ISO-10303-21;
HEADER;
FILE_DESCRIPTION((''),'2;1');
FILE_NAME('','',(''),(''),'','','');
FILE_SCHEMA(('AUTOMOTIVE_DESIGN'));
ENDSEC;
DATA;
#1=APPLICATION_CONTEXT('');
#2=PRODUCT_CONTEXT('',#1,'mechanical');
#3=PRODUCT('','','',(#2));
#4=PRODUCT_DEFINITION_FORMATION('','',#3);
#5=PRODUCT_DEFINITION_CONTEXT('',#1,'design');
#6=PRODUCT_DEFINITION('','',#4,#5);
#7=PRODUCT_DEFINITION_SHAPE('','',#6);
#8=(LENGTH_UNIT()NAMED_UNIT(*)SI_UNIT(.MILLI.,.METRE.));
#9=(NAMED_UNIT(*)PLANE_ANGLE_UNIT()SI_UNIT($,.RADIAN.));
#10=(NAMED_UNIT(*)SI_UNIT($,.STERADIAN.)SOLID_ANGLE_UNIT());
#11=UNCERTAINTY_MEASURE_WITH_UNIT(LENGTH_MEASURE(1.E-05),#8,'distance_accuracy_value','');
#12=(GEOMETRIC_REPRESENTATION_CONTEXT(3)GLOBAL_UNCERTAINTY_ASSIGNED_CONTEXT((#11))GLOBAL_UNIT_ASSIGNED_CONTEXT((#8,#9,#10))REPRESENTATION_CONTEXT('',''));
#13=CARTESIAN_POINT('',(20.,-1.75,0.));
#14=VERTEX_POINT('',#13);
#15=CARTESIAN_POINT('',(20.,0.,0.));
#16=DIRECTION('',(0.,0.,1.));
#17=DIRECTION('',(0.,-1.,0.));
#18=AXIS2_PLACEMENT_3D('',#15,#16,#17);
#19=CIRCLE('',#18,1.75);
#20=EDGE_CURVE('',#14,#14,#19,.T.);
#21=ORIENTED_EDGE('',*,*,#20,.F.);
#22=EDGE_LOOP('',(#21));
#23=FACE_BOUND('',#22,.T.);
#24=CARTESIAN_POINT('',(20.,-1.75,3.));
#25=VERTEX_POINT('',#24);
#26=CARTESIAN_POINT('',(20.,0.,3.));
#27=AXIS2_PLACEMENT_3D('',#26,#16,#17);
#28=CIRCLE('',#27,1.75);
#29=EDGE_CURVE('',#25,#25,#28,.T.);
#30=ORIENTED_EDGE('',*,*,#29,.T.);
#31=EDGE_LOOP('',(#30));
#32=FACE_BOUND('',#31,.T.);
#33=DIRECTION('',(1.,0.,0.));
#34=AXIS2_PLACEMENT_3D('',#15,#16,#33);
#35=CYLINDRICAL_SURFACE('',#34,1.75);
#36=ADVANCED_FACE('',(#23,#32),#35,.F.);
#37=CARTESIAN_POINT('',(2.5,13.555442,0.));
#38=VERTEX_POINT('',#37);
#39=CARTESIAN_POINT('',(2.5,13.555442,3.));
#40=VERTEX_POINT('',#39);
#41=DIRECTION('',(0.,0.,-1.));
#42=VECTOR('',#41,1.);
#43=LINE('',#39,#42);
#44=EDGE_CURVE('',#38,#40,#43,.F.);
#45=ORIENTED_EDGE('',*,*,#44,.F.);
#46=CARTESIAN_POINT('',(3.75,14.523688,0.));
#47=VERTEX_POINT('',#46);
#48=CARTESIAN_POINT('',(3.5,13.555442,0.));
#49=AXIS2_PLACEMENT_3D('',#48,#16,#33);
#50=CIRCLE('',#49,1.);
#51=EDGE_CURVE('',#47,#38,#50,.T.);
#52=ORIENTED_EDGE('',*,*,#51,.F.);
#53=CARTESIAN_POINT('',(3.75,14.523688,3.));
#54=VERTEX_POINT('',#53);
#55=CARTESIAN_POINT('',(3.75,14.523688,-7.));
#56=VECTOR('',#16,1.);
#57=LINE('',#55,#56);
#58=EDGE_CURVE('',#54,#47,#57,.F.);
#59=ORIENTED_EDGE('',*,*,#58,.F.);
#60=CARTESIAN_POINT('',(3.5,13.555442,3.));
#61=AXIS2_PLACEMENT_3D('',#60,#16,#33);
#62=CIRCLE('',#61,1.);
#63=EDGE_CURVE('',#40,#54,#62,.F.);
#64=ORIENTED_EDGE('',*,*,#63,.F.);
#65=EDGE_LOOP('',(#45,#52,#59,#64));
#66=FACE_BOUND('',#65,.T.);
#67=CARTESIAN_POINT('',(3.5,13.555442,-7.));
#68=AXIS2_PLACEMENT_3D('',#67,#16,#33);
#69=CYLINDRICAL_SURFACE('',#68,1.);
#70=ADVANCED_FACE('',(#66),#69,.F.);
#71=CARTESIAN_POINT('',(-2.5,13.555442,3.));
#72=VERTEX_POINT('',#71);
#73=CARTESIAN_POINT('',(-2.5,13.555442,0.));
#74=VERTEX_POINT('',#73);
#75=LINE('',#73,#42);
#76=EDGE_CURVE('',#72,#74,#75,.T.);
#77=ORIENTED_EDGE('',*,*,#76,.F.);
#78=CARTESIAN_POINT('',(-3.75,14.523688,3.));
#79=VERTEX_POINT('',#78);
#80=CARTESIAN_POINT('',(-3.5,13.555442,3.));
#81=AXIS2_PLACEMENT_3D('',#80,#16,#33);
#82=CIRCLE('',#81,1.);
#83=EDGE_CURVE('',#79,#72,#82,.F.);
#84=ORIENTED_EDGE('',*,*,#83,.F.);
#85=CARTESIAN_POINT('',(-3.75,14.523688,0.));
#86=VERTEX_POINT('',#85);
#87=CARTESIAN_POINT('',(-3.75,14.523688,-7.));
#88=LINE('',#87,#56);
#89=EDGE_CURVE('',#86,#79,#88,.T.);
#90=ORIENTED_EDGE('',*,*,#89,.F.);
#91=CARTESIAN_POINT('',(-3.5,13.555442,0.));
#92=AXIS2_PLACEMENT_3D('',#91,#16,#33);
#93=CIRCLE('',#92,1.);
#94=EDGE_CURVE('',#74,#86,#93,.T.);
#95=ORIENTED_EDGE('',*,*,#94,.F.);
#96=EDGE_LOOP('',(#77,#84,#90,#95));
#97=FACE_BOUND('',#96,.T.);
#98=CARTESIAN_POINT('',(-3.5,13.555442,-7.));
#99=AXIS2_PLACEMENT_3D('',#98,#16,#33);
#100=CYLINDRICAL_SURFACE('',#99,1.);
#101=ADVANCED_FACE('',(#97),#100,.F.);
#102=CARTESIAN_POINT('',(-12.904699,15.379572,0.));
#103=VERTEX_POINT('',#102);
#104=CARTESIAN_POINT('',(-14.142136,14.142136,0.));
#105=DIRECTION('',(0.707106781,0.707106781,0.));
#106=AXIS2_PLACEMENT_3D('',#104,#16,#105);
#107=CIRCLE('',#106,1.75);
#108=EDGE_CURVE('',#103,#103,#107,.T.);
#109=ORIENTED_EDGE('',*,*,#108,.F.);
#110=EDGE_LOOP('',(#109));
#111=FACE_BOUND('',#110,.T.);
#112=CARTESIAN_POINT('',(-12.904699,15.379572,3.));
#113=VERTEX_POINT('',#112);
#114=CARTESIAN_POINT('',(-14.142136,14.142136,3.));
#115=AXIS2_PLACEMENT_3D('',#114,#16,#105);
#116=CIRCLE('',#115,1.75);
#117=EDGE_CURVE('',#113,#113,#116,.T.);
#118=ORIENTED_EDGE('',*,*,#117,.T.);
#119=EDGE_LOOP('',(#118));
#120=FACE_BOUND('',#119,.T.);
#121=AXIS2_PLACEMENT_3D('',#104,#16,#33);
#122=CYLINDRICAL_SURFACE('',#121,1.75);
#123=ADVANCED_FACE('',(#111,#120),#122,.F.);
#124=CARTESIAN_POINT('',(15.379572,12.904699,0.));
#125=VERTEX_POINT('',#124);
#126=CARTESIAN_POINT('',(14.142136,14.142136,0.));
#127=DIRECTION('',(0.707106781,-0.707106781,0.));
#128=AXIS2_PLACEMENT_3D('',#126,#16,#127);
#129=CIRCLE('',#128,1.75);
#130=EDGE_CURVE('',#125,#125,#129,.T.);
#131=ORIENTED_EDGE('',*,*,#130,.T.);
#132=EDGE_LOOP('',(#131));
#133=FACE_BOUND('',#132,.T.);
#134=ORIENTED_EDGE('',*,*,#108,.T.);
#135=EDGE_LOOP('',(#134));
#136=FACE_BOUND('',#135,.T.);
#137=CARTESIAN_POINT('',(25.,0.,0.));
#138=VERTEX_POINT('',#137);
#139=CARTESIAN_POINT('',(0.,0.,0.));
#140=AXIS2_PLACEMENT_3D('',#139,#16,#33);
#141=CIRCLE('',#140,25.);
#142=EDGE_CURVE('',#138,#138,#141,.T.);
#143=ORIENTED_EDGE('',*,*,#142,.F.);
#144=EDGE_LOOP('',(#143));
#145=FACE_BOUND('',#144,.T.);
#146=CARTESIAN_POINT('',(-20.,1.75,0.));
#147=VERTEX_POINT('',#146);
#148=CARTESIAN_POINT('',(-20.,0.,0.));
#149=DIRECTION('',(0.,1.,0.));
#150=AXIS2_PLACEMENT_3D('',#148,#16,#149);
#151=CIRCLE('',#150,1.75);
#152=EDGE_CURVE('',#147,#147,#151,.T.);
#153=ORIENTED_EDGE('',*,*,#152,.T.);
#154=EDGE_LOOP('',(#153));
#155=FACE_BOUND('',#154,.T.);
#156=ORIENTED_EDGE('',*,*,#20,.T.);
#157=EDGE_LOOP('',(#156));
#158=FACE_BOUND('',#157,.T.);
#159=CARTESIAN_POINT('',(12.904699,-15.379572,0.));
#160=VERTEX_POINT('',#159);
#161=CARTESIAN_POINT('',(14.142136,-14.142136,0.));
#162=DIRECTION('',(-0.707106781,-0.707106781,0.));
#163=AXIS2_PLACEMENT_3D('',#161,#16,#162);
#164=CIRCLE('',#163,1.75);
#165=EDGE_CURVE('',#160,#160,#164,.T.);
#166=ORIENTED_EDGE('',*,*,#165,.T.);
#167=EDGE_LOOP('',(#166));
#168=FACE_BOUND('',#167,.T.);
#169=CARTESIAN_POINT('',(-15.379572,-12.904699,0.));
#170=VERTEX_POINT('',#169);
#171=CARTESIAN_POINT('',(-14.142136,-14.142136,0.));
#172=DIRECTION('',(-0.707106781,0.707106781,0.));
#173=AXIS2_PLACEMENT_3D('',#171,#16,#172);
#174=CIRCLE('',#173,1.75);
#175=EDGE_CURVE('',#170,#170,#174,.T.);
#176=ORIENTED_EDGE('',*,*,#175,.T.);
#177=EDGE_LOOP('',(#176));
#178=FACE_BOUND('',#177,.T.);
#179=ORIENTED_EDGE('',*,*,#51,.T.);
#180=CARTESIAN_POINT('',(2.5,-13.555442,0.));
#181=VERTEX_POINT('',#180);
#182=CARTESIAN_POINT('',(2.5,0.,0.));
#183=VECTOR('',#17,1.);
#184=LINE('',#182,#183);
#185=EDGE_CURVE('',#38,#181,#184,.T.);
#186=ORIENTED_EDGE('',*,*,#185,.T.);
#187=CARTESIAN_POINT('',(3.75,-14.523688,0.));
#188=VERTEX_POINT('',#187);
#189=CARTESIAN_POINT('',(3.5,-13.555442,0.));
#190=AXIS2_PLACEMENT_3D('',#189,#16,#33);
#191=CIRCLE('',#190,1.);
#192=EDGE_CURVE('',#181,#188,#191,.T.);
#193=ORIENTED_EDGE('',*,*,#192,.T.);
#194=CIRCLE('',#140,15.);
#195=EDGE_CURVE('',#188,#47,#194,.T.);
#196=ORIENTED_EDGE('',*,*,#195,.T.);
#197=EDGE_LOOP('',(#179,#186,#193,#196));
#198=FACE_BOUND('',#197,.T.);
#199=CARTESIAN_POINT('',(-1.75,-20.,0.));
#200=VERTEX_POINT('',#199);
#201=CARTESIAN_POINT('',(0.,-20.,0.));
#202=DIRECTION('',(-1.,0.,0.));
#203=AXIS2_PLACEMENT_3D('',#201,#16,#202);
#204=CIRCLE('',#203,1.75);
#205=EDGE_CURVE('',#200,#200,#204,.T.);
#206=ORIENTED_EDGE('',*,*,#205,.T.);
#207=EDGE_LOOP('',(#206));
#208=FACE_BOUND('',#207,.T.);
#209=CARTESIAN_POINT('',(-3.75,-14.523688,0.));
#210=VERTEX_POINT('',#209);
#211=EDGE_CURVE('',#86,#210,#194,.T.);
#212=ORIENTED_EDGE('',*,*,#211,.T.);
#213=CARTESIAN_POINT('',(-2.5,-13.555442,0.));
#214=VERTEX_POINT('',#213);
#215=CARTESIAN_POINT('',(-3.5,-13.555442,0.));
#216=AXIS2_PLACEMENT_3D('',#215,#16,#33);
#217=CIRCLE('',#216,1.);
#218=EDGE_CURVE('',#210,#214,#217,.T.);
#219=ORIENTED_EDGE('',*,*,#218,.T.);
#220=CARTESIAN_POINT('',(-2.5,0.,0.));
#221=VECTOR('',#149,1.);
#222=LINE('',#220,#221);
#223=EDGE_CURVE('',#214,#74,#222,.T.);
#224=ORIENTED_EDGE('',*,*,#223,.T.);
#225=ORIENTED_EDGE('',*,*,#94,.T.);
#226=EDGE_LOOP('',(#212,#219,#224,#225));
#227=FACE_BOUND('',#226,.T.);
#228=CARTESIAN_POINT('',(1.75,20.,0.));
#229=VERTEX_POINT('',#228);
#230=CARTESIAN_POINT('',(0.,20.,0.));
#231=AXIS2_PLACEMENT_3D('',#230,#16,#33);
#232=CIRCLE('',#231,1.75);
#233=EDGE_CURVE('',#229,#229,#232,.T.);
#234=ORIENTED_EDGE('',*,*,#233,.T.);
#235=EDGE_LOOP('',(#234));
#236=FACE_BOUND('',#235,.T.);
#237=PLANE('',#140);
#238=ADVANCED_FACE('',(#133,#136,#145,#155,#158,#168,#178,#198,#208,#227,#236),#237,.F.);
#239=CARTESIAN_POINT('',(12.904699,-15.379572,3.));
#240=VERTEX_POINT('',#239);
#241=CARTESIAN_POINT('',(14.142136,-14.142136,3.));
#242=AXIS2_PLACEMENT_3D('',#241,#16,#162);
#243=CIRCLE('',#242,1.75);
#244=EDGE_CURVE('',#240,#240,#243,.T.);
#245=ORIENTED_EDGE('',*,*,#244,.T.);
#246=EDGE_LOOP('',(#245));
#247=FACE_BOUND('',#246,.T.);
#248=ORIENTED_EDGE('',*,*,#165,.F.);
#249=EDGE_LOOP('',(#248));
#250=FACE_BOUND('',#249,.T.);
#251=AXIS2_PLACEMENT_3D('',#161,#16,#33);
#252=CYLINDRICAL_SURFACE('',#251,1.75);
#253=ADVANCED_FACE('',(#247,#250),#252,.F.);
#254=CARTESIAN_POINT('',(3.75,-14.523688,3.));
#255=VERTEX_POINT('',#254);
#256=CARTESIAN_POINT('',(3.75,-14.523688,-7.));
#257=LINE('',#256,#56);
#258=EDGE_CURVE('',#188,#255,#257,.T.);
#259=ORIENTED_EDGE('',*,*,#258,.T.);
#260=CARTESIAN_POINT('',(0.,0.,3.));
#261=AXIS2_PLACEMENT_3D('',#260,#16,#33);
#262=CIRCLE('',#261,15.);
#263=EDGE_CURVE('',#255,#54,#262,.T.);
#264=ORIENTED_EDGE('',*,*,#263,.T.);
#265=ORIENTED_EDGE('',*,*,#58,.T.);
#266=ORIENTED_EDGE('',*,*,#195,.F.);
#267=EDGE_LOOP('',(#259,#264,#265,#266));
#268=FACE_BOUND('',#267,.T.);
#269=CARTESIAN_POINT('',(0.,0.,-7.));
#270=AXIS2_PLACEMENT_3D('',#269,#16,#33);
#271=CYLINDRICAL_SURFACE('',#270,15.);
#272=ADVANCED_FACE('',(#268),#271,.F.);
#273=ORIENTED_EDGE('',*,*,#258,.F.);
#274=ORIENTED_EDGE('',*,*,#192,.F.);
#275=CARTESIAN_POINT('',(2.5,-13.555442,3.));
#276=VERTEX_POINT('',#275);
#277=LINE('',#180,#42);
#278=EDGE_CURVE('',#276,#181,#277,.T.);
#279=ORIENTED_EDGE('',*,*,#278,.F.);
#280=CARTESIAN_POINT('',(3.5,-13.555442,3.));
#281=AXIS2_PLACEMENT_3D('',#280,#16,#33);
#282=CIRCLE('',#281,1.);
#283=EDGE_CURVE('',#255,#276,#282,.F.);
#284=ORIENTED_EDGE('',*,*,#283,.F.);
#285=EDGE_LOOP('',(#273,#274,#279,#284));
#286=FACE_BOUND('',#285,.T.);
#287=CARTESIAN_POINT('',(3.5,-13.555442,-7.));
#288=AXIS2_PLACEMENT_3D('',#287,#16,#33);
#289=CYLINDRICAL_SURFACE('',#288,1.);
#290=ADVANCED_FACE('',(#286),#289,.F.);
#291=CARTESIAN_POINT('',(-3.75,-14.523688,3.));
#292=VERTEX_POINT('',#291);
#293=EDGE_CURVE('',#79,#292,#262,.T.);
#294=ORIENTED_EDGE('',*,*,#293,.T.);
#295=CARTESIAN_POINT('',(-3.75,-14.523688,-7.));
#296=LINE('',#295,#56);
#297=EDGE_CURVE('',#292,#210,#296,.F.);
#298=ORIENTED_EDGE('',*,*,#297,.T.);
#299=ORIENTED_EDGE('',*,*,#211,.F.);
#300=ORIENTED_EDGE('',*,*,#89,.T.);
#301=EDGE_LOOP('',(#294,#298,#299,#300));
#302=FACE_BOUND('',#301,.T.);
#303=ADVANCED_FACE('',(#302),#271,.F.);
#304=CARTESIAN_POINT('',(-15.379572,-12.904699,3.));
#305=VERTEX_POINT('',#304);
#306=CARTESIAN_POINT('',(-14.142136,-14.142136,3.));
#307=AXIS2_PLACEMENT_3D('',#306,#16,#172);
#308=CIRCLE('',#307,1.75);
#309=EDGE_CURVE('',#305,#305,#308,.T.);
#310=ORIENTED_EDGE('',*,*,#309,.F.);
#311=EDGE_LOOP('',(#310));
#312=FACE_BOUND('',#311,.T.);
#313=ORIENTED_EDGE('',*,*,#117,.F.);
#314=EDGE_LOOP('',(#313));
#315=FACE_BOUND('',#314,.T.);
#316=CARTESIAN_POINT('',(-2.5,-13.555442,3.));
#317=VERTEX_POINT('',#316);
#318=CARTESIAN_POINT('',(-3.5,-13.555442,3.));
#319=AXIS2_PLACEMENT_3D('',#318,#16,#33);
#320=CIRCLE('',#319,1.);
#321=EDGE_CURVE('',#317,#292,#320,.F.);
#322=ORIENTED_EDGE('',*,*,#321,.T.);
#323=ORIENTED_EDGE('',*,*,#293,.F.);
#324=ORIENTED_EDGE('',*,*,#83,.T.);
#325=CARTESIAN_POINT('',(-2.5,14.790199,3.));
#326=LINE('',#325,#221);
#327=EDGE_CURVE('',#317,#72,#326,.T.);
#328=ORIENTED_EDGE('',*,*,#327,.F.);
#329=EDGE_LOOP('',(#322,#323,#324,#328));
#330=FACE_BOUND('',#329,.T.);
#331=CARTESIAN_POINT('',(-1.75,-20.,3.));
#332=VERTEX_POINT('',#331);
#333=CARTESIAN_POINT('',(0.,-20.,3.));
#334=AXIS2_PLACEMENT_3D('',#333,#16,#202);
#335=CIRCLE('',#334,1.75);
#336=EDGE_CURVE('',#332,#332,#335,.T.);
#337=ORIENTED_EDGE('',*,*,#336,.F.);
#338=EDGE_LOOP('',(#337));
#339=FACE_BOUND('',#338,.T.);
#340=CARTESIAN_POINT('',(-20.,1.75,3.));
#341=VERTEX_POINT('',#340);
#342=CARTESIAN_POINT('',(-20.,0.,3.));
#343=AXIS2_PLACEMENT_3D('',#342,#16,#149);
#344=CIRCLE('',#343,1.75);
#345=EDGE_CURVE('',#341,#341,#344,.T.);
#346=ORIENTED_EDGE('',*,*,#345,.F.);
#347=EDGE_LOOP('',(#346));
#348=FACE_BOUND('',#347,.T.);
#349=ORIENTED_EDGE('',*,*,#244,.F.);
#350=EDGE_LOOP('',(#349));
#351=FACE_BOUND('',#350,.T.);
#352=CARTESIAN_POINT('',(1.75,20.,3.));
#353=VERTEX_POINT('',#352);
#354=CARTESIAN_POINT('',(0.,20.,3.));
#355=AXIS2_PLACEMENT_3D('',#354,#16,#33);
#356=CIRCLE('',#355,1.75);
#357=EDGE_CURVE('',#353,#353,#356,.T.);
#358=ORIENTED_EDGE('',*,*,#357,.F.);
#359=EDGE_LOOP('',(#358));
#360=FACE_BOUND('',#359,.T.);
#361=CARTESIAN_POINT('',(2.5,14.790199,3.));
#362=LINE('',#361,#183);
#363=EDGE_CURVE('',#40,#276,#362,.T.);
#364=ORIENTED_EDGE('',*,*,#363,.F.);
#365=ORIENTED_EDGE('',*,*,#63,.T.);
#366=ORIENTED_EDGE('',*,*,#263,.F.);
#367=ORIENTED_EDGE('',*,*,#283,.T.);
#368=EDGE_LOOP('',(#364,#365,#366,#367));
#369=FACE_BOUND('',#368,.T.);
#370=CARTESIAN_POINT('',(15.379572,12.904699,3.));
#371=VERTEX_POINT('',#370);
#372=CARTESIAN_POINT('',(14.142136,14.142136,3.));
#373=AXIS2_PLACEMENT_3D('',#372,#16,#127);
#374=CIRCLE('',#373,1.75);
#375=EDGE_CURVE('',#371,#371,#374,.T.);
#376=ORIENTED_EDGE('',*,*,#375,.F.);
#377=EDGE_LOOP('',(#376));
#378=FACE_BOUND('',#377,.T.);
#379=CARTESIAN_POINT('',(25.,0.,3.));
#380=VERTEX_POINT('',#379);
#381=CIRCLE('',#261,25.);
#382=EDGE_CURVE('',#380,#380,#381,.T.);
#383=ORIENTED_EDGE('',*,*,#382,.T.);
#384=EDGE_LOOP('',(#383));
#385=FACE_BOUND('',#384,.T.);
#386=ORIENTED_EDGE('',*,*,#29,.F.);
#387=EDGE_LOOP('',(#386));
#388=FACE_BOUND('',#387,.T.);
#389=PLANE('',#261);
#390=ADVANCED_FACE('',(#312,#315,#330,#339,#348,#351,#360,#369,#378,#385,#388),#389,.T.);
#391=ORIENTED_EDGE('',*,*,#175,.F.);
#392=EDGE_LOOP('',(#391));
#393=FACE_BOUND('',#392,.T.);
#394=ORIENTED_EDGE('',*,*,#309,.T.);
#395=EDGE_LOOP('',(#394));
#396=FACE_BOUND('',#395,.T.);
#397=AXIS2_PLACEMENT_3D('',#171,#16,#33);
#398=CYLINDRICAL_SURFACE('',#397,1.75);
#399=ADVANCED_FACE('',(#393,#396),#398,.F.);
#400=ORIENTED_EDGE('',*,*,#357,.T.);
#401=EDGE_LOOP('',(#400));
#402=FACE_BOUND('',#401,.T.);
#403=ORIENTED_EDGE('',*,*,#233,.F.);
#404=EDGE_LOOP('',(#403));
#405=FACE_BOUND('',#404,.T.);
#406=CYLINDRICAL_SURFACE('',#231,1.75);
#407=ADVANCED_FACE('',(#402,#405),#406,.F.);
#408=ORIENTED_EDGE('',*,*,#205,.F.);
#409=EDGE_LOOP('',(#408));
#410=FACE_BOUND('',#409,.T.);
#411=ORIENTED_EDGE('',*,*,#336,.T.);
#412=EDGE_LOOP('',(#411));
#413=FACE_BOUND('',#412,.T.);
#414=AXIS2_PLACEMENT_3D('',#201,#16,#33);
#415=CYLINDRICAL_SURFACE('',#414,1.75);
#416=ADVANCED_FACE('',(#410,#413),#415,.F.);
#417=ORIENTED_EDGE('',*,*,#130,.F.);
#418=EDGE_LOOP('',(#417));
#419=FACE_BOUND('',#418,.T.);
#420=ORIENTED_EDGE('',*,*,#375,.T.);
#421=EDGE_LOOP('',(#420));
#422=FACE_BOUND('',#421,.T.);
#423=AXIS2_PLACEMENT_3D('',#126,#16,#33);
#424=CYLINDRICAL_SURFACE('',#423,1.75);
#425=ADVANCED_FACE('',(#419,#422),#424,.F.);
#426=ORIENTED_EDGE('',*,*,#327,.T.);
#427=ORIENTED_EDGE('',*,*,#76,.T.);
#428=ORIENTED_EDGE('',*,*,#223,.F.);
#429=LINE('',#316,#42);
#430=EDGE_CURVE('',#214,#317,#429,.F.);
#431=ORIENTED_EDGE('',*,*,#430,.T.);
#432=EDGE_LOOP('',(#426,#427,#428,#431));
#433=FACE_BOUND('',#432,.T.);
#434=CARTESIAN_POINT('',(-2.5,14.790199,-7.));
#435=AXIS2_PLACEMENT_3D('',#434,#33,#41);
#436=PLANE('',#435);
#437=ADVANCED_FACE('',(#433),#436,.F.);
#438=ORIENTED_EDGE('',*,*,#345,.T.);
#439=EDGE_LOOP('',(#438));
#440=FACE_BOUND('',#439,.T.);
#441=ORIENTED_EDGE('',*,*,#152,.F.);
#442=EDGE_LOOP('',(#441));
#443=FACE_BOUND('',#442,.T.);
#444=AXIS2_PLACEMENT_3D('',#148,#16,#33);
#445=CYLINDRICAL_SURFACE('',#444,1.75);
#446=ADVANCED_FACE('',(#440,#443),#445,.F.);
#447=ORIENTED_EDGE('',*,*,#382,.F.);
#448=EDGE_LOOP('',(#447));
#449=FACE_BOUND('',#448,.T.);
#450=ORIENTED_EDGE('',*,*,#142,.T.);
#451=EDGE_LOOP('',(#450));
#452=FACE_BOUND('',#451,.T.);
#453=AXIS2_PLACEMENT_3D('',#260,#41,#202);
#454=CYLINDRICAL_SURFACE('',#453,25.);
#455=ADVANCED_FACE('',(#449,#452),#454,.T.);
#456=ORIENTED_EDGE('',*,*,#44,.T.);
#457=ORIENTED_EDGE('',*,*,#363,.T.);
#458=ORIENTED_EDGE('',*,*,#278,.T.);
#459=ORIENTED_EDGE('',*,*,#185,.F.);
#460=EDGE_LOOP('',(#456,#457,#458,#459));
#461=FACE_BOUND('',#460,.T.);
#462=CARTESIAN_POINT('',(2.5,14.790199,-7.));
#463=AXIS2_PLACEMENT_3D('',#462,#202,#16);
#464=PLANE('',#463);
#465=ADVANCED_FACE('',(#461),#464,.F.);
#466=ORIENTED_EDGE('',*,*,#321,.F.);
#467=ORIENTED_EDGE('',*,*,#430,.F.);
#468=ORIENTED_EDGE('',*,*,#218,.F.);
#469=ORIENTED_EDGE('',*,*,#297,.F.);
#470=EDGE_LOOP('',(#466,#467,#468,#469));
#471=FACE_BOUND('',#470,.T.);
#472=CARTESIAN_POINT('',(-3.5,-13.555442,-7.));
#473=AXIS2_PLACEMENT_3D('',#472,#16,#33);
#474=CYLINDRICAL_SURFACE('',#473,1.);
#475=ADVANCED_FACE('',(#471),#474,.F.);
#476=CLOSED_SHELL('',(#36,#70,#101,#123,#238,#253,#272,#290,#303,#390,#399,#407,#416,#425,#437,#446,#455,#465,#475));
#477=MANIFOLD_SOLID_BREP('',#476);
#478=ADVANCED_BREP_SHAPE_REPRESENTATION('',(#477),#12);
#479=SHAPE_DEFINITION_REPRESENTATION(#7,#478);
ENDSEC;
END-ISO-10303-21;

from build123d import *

# Parameters (mm, degrees)
SKETCH1_R           = 25
BOSS_EXTRUDE1_DEPTH = 3
SKETCH2_R           = 1.75
CUT_EXTRUDE1_DEPTH  = 3
CIRPATTERN1_COUNT   = 8
CUT_EXTRUDE2_DEPTH  = 10
FILLET1_R           = 1


with BuildPart() as part:
    # Sketch1 → Boss-Extrude1 (new body)
    with BuildSketch(Plane.XY):
        Circle(SKETCH1_R)
    extrude(amount=BOSS_EXTRUDE1_DEPTH)

    # Sketch2 → Cut-Extrude1 (cut)
    with BuildSketch(Plane.XY.offset(3)):
        with Locations((0, 20)):
            Circle(SKETCH2_R)
    cut_extrude1 = extrude(amount=-CUT_EXTRUDE1_DEPTH, mode=Mode.SUBTRACT)

    # CirPattern1: Cut-Extrude1 ×8 about axis
    cirpattern1_axis = Axis((0, 0, 0), (0, 0, 1))
    for i in range(1, CIRPATTERN1_COUNT):
        add(cut_extrude1.rotate(cirpattern1_axis, i * 360 / CIRPATTERN1_COUNT), mode=Mode.SUBTRACT)

    # Sketch3 → Cut-Extrude2 (cut)
    with BuildSketch(Plane.XY.offset(3)):
        with BuildLine():
            Line((-2.5, 14.790199458), (-2.5, -14.790199458))
            ThreePointArc((-2.5, -14.790199458), (-15, 0), (-2.5, 14.790199458))
        make_face()
        with BuildLine():
            Line((2.5, 14.790199458), (2.5, -14.790199458))
            ThreePointArc((2.5, -14.790199458), (15, 0), (2.5, 14.790199458))
        make_face()
    extrude(amount=-CUT_EXTRUDE2_DEPTH, mode=Mode.SUBTRACT)

    # Fillet1
    fillet1_edges = [part.edges().sort_by_distance(p)[0] for p in [
        (-2.5, -14.790199458, 1.5),
        (-2.5, 14.790199458, 1.5),
        (2.5, 14.790199458, 1.5),
        (2.5, -14.790199458, 1.5),
    ]]
    fillet(fillet1_edges, radius=FILLET1_R)


solid = part.part
